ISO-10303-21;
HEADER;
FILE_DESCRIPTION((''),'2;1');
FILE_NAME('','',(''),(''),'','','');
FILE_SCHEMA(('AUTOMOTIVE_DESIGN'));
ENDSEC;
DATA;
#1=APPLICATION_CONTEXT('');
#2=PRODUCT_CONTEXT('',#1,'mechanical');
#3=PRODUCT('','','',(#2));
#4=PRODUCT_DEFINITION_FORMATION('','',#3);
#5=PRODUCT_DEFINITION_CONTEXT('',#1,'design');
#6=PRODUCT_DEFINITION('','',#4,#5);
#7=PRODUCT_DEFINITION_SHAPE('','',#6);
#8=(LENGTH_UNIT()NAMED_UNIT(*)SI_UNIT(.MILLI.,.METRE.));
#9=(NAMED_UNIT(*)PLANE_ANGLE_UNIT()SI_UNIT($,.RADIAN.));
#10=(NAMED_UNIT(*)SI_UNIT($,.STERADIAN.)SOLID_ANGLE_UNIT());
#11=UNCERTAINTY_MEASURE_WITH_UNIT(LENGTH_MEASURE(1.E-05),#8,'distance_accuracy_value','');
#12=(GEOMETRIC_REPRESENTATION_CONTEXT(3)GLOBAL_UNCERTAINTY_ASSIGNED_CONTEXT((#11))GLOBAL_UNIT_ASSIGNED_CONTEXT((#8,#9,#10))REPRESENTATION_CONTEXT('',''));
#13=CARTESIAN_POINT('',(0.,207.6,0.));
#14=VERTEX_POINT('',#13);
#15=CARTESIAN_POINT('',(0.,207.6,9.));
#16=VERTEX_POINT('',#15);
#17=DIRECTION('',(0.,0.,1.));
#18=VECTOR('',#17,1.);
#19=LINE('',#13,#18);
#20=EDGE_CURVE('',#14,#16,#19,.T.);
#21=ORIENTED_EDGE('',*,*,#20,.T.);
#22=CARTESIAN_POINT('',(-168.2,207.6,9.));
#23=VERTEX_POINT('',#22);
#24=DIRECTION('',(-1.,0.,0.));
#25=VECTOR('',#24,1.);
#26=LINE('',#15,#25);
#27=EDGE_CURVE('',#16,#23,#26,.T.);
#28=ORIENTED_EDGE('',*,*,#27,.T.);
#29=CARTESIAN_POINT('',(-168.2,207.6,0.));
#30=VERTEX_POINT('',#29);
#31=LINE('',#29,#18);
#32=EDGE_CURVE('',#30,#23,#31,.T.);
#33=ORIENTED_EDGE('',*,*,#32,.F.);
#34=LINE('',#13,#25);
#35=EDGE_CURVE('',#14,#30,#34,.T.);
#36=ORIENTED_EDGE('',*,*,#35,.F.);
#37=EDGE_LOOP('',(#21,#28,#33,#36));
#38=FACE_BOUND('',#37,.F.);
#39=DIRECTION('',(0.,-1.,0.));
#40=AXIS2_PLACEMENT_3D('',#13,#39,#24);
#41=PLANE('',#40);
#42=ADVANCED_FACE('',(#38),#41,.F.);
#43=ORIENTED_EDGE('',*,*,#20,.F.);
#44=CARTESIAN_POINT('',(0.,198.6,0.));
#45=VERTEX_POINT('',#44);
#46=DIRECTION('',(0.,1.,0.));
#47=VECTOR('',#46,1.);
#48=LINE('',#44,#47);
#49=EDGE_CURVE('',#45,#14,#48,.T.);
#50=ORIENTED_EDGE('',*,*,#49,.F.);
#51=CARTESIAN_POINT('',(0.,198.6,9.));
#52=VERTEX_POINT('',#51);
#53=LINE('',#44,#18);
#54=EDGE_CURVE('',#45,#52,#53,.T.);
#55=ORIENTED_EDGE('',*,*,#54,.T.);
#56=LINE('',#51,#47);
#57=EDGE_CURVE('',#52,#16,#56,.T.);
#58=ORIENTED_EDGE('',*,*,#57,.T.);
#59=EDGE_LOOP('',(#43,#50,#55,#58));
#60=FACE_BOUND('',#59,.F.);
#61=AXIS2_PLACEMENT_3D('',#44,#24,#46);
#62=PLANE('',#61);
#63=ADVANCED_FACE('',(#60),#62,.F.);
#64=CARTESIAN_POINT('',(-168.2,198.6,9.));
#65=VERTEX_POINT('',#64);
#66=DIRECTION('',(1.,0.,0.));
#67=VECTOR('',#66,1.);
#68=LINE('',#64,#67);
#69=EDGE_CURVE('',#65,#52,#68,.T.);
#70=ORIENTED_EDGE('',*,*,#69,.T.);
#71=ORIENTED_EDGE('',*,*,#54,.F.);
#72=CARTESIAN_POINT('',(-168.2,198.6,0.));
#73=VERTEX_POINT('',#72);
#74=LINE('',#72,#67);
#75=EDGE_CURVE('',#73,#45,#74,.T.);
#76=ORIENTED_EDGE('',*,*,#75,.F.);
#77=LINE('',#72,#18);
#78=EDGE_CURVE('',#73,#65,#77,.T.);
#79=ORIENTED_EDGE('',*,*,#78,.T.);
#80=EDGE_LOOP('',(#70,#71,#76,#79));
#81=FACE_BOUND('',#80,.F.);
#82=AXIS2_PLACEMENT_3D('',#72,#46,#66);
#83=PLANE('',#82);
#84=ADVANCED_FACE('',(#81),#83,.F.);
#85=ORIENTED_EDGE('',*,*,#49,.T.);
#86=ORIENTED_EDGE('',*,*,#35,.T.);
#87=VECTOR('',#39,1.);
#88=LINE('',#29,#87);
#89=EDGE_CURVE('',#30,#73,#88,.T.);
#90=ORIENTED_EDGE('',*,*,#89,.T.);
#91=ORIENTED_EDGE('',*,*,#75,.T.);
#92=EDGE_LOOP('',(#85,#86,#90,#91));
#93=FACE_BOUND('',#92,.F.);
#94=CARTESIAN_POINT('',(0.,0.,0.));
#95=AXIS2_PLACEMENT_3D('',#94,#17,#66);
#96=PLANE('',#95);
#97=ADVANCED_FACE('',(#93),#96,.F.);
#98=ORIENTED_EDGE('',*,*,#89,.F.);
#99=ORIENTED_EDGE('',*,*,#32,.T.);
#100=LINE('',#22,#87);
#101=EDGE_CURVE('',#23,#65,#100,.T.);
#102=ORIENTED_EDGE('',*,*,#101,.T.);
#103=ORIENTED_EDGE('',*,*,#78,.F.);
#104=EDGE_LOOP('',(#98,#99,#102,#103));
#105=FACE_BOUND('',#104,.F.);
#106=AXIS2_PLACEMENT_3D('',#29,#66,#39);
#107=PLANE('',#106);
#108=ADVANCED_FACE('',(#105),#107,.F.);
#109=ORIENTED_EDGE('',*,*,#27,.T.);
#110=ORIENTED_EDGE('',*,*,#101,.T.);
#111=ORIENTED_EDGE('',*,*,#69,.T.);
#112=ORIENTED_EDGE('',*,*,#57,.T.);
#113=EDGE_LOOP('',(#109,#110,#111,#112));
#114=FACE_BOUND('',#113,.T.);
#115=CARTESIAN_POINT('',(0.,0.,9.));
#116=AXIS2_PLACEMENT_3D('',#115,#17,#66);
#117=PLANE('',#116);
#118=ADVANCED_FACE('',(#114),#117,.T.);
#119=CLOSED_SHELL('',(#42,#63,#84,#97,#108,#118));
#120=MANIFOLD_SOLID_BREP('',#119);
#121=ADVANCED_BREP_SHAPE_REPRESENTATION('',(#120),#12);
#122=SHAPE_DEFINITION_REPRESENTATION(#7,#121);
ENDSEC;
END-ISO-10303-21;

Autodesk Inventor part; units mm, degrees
ref_plane "YZ Plane" through (0, 0, 0) normal (1, 0, 0) x (0, 1, 0)
ref_plane "XZ Plane" through (0, 0, 0) normal (0, 1, 0) x (-1, 0, 0)
ref_plane "XY Plane" through (0, 0, 0) normal (0, 0, 1) x (1, 0, 0)
sketch "Boceto1" plane through (0, 0, 0) normal (0, 0, 1) x (1, 0, 0)
  line L0 (9, 0) -> (9, 207.6) construction
  line L1 (0, 0) -> (0, 207.6) construction
  line L2 (0, 207.6) -> (-168.2, 207.6)
  line L3 (-168.2, 207.6) -> (-168.2, 198.6)
  line L4 (-168.2, 198.6) -> (0, 198.6)
  line L5 (0, 198.6) -> (0, 207.6)
  dimension "d0" = 9
  dimension "d3" = 168.2
extrude "Extrusión1" add sketch "Boceto1" along normal blind 9
properties part number "BarraHorizontal"
